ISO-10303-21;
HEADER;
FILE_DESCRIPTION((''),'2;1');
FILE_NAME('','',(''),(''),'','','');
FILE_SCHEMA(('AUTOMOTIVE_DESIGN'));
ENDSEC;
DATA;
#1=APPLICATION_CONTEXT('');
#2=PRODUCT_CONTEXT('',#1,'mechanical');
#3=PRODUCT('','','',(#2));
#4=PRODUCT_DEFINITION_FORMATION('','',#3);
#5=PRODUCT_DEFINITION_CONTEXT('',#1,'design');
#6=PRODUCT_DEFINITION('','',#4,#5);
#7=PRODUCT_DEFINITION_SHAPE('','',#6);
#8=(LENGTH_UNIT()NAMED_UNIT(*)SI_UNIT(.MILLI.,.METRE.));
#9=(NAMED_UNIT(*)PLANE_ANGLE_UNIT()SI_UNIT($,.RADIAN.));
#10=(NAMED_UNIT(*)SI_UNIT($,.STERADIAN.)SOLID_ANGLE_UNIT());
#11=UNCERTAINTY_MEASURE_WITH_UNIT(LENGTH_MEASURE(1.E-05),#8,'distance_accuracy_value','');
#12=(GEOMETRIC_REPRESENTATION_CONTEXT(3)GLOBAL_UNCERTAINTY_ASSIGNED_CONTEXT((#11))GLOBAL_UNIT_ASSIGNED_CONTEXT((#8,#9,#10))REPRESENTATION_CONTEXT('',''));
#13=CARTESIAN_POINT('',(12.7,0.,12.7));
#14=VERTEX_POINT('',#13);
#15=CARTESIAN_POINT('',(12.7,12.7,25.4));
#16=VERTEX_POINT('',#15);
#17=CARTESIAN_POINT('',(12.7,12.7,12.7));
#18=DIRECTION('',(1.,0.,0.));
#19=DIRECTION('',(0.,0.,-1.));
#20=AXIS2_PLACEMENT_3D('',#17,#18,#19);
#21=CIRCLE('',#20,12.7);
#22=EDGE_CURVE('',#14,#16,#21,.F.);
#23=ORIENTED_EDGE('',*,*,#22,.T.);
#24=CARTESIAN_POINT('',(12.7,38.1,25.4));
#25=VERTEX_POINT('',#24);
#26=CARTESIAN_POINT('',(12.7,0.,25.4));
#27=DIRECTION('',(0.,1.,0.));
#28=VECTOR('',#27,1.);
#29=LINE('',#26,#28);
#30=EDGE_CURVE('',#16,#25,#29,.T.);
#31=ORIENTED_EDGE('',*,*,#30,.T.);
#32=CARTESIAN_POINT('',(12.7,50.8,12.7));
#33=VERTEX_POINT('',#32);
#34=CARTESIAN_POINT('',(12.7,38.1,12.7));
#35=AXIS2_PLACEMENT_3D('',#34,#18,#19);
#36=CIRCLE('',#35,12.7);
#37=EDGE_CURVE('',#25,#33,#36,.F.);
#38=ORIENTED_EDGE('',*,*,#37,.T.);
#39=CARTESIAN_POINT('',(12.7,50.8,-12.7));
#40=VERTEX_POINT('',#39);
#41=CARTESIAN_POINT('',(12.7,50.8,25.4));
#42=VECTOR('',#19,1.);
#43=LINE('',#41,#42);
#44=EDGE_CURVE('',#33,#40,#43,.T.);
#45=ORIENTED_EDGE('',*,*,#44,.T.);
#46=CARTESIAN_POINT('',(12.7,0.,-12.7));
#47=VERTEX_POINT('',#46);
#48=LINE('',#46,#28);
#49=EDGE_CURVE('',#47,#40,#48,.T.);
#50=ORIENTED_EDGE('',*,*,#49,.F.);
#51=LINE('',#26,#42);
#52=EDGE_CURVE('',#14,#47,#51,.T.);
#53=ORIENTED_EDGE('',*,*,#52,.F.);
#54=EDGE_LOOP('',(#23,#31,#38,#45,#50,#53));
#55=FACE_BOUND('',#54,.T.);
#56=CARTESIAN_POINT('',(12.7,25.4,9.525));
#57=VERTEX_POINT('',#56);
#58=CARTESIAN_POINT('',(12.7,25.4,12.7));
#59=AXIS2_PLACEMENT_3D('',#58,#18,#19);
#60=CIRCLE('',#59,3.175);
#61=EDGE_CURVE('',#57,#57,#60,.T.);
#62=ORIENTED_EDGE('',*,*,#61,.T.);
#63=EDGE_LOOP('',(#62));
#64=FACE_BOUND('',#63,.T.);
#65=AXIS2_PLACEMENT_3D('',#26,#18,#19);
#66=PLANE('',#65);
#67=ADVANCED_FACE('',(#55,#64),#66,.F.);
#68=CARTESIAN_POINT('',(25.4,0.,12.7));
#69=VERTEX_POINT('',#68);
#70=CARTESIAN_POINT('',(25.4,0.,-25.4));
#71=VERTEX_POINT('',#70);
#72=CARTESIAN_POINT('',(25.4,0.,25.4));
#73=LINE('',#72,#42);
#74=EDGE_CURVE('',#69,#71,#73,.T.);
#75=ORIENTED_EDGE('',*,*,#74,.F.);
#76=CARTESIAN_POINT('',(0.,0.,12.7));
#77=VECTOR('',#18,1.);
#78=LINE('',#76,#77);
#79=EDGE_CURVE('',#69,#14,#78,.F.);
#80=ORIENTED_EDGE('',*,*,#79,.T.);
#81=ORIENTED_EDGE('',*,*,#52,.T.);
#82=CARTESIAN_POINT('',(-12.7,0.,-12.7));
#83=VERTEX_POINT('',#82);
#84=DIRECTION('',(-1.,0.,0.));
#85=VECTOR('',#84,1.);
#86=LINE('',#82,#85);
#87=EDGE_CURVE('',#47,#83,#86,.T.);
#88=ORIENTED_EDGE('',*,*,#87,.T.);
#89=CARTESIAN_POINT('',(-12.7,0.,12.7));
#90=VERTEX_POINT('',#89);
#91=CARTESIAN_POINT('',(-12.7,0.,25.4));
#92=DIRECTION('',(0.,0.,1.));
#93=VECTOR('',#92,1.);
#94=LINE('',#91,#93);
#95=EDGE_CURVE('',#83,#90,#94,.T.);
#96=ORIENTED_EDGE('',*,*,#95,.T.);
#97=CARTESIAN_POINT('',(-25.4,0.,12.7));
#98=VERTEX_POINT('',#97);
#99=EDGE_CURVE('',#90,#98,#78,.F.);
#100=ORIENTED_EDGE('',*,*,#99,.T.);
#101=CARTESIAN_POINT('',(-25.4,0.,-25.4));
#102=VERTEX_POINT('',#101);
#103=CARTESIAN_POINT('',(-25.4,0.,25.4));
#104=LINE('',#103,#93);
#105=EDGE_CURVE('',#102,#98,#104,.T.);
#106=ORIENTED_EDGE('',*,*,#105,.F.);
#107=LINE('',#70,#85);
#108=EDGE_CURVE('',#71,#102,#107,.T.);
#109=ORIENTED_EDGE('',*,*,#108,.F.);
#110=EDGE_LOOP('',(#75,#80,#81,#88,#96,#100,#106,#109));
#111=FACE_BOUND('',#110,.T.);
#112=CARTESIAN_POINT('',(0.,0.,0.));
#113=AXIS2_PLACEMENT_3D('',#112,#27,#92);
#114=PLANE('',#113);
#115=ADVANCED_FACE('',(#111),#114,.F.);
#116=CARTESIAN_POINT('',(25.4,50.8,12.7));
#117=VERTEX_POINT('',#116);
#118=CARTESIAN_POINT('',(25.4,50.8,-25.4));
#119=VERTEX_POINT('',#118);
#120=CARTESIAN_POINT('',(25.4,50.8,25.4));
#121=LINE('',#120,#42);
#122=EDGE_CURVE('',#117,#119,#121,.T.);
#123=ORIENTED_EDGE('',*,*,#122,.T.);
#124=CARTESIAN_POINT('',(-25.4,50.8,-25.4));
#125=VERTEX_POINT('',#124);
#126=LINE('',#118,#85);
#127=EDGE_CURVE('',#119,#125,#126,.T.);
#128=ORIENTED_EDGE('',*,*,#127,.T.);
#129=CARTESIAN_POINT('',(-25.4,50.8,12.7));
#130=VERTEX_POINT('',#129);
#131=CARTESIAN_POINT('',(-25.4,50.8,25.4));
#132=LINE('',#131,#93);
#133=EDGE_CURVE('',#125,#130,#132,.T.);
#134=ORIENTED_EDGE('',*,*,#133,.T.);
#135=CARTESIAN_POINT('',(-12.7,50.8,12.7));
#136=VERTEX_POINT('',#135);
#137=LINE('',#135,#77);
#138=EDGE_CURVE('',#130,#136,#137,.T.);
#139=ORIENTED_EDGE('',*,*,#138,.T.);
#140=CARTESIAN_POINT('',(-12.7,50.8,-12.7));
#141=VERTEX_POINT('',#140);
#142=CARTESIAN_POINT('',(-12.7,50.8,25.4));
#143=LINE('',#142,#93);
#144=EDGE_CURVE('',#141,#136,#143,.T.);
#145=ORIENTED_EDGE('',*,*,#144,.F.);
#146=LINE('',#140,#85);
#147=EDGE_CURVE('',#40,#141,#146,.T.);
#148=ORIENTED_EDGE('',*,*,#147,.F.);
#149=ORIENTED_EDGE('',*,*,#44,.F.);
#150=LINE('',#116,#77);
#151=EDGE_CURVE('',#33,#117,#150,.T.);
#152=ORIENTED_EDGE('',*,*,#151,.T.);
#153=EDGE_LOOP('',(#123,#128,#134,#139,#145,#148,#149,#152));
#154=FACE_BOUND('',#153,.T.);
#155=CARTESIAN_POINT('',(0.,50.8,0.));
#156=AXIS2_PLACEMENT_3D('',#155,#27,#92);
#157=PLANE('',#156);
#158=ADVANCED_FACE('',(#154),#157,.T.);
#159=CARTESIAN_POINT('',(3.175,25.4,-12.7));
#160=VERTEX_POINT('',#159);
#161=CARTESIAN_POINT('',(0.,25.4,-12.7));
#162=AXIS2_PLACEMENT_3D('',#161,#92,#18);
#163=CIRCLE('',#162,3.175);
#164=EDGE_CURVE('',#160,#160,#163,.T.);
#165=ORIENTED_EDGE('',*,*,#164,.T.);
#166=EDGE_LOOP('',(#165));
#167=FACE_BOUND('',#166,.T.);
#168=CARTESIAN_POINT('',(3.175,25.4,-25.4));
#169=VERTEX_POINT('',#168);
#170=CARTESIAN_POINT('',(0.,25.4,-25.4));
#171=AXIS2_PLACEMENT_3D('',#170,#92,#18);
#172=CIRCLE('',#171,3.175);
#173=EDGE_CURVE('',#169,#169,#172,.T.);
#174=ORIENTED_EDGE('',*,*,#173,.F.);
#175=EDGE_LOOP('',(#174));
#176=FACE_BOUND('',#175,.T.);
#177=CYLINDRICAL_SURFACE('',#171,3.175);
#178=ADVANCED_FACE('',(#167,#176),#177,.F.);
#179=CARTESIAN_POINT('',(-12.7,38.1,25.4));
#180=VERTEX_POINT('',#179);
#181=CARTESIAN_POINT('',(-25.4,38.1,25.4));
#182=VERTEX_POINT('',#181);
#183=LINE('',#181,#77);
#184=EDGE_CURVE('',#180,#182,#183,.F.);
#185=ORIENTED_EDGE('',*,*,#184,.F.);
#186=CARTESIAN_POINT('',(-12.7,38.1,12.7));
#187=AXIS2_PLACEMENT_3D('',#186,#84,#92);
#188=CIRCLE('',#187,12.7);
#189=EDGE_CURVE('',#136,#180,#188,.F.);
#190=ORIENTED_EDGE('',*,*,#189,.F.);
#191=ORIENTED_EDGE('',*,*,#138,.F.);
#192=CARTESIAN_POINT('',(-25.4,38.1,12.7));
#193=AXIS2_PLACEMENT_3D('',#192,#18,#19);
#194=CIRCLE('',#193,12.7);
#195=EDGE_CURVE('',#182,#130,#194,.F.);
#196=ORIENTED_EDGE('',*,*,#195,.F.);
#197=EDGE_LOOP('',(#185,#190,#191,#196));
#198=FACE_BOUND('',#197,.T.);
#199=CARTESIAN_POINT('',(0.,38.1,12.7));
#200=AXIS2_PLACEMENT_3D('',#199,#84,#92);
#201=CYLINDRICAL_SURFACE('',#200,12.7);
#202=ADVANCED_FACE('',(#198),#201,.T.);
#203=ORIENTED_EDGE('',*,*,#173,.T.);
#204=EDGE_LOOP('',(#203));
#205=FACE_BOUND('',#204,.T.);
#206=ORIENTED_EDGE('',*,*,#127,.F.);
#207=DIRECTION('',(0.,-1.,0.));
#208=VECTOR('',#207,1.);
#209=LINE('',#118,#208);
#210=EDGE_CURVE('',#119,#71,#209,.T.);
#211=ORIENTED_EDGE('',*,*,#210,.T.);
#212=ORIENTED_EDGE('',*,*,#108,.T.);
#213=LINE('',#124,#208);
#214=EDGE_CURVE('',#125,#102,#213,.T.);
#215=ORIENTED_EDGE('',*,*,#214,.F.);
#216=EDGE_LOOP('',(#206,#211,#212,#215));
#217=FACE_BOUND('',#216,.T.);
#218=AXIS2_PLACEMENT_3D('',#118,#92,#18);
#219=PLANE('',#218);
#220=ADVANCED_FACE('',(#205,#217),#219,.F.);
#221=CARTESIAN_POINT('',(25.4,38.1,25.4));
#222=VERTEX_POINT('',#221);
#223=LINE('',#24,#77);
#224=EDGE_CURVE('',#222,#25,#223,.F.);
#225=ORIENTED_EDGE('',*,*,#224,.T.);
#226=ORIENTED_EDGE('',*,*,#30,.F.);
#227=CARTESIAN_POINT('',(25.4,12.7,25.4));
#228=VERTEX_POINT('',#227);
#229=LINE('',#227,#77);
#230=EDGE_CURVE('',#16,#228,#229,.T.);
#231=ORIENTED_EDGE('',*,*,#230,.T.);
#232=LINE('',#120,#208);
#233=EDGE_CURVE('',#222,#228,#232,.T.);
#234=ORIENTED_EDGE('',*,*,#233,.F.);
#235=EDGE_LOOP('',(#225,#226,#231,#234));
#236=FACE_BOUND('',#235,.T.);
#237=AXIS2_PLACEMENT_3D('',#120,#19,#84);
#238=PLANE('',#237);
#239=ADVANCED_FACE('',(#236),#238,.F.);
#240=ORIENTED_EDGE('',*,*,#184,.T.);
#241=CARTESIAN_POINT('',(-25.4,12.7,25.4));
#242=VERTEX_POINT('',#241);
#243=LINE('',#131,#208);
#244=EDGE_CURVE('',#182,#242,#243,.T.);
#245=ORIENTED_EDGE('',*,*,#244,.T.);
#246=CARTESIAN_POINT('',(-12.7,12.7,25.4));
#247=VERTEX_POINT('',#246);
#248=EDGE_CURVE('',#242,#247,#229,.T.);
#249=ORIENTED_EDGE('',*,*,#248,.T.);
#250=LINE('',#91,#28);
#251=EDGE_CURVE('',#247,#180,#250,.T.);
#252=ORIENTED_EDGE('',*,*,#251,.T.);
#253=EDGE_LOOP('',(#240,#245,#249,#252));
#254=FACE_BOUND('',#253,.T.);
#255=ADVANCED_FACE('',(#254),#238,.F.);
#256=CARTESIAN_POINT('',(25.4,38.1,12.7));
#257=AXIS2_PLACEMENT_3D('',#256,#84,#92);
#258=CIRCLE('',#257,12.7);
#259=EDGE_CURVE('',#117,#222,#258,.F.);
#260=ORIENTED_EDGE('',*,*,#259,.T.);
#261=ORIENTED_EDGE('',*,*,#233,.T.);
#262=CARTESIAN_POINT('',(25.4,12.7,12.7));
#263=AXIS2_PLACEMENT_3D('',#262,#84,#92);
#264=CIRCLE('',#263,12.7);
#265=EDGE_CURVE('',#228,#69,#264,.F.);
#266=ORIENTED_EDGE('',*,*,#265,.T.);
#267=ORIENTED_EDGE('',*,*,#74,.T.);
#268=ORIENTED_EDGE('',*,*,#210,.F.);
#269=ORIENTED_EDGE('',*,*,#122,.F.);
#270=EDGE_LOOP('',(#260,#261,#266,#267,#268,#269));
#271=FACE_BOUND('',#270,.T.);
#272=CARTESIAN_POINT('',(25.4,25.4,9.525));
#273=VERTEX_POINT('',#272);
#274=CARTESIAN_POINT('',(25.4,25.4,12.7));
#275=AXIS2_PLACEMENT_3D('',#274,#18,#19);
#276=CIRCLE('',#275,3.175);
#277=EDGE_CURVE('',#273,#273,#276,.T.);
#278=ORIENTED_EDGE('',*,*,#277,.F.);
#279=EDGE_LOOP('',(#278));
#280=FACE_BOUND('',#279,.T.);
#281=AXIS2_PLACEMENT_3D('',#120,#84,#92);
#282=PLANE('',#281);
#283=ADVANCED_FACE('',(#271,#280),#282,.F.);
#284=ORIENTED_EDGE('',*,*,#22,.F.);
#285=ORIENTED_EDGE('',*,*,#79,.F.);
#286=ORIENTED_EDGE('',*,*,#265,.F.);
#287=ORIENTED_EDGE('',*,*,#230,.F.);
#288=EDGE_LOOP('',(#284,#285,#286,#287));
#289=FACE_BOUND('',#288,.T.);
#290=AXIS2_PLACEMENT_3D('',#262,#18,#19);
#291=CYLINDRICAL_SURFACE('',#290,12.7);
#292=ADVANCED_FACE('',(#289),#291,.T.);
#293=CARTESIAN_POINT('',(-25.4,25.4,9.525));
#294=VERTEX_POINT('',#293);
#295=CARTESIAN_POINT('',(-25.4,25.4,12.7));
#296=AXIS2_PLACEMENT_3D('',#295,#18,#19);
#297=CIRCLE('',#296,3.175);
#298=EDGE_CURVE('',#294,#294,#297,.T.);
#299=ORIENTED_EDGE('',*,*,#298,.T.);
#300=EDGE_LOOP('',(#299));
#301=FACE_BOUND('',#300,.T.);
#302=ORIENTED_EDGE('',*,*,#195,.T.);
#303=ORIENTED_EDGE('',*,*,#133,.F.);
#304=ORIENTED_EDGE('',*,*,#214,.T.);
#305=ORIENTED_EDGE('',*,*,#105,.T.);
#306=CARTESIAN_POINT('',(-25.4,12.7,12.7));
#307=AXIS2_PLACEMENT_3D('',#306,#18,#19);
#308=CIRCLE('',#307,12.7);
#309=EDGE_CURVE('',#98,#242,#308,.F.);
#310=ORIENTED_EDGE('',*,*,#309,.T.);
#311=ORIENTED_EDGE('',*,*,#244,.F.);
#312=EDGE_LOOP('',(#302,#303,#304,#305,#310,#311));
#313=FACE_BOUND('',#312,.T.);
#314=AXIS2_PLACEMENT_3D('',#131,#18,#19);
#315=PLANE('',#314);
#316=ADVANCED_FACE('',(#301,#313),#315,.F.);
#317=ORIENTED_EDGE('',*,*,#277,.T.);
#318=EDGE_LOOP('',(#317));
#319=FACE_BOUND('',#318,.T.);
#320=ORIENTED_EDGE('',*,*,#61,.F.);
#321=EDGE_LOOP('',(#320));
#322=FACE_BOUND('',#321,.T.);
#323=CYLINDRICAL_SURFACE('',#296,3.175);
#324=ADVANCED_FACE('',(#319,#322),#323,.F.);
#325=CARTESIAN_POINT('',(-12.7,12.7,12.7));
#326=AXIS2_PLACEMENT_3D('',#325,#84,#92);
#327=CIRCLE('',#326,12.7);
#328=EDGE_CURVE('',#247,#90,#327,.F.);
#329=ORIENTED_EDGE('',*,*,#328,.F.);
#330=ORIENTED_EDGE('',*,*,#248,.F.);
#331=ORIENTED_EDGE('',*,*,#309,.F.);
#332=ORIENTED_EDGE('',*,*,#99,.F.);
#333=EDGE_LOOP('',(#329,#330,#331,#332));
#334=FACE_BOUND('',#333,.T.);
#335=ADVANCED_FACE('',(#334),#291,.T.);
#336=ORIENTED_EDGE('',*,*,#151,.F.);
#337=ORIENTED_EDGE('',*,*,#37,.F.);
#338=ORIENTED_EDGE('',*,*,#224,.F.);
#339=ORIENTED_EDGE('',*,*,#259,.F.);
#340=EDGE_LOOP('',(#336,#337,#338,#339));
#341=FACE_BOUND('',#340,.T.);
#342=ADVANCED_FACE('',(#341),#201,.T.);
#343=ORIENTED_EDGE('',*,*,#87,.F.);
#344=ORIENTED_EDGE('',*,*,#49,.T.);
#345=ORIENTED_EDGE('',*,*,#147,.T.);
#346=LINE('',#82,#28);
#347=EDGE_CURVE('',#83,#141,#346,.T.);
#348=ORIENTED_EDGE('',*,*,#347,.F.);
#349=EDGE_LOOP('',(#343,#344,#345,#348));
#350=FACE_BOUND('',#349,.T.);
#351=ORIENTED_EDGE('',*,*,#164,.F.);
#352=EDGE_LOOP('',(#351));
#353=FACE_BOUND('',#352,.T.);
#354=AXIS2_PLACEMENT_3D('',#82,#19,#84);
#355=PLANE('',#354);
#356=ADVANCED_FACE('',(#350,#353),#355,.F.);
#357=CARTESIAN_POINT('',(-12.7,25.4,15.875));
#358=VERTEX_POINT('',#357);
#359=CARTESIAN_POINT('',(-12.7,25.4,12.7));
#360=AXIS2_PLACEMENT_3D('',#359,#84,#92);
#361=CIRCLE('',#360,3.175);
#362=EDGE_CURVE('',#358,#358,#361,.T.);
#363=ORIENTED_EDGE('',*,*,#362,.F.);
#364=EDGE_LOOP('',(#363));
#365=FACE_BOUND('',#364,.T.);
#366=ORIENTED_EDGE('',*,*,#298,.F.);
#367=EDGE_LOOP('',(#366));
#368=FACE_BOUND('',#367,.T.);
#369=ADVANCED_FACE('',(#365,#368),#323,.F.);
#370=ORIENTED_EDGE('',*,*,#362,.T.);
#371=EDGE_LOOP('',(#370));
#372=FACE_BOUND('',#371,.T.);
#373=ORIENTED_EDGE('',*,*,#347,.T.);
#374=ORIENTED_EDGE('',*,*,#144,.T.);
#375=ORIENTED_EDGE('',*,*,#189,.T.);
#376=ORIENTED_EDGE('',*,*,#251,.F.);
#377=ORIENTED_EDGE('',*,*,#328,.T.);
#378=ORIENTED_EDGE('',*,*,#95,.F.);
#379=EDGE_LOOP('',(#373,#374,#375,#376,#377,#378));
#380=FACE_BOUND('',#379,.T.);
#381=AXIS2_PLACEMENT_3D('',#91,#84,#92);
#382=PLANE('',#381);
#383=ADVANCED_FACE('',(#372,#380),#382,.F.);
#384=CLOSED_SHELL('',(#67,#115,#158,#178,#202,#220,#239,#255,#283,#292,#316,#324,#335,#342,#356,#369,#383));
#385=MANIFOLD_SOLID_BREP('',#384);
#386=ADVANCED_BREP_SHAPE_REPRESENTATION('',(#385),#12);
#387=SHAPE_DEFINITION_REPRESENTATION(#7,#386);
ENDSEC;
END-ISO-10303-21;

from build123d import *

# Parameters (mm, degrees)
SKETCH1_W           = 50.8
SKETCH1_H           = 50.8
BOSS_EXTRUDE1_DEPTH = 50.8
SKETCH2_W           = 25.4
SKETCH2_H           = 38.1
CUT_EXTRUDE1_DEPTH  = 51.8
SKETCH3_R           = 3.175
CUT_EXTRUDE2_DEPTH  = 13.7
SKETCH4_R           = 3.175
CUT_EXTRUDE3_DEPTH  = 51.8
FILLET1_R           = 12.7


with BuildPart() as part:
    # Sketch1 → Boss-Extrude1 (new body)
    with BuildSketch(Plane(origin=(0, 0, 0), x_dir=(1, 0, 0), z_dir=(0, 1, 0))):
        Rectangle(SKETCH1_W, SKETCH1_H)
    extrude(amount=BOSS_EXTRUDE1_DEPTH)

    # Sketch2 → Cut-Extrude1 (cut, through all)
    with BuildSketch(Plane(origin=(0, 50.8, 0), x_dir=(1, 0, 0), z_dir=(0, 1, 0))):
        with Locations((0, -6.35)):
            Rectangle(SKETCH2_W, SKETCH2_H)
    extrude(amount=-CUT_EXTRUDE1_DEPTH, mode=Mode.SUBTRACT)

    # Sketch3 → Cut-Extrude2 (cut, through all)
    with BuildSketch(Plane.XY.offset(-12.7)):
        with Locations((0, 25.4)):
            Circle(SKETCH3_R)
    extrude(amount=-CUT_EXTRUDE2_DEPTH, mode=Mode.SUBTRACT)

    # Sketch4 → Cut-Extrude3 (cut, through all)
    with BuildSketch(Plane(origin=(25.4, 0, 0), x_dir=(0, 0, -1), z_dir=(1, 0, 0))):
        with Locations((-12.7, 25.4)):
            Circle(SKETCH4_R)
    extrude(amount=-CUT_EXTRUDE3_DEPTH, mode=Mode.SUBTRACT)

    # Fillet1
    fillet1_edges = [part.edges().sort_by_distance(p)[0] for p in [
        (19.05, 0, 25.4),
        (19.05, 50.8, 25.4),
        (-19.05, 0, 25.4),
        (-19.05, 50.8, 25.4),
    ]]
    fillet(fillet1_edges, radius=FILLET1_R)


solid = part.part
